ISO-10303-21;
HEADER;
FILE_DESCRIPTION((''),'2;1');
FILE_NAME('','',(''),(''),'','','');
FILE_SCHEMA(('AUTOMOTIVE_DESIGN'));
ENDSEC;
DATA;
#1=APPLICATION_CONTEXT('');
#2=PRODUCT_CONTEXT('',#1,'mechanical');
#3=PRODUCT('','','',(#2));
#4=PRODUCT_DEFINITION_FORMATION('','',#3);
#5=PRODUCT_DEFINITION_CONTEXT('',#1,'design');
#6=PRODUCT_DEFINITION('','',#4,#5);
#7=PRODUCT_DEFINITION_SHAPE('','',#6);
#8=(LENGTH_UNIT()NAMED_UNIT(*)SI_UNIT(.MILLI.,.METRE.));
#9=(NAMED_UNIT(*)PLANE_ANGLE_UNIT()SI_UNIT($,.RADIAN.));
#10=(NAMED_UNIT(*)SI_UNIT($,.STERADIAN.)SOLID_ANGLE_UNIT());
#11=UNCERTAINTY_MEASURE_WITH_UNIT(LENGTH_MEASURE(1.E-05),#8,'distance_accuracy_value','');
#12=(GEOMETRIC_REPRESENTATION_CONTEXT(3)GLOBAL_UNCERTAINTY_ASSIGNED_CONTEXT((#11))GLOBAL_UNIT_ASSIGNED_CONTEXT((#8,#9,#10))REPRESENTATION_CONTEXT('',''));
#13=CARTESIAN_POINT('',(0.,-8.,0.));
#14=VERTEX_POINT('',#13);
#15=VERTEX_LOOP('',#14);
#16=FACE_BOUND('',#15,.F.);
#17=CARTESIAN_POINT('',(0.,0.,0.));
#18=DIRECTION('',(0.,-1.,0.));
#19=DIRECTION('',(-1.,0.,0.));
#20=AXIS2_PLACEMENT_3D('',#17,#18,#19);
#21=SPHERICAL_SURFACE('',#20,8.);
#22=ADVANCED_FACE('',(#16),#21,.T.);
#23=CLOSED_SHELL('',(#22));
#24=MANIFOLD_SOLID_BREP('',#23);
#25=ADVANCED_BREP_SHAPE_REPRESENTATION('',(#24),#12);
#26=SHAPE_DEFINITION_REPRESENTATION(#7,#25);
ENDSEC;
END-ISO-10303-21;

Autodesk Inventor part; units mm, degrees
ref_plane "YZ Plane" through (0, 0, 0) normal (1, 0, 0) x (0, 1, 0)
ref_plane "XZ Plane" through (0, 0, 0) normal (0, 1, 0) x (-1, 0, 0)
ref_plane "XY Plane" through (0, 0, 0) normal (0, 0, 1) x (1, 0, 0)
sketch "Sketch1" plane through (0, 0, 0) normal (0, 0, 1) x (1, 0, 0)
  arc A0 (0, 8) -> (0, -8) centre (0, 0) ccw
  line L0 (0, -8) -> (0, 8)
  dimension "d2" = 8
revolve "Revolution1" add sketch "Sketch1" angle 360 about axis through (0, -8, 0) along (0, 1, 0)
properties part number "Bola"
